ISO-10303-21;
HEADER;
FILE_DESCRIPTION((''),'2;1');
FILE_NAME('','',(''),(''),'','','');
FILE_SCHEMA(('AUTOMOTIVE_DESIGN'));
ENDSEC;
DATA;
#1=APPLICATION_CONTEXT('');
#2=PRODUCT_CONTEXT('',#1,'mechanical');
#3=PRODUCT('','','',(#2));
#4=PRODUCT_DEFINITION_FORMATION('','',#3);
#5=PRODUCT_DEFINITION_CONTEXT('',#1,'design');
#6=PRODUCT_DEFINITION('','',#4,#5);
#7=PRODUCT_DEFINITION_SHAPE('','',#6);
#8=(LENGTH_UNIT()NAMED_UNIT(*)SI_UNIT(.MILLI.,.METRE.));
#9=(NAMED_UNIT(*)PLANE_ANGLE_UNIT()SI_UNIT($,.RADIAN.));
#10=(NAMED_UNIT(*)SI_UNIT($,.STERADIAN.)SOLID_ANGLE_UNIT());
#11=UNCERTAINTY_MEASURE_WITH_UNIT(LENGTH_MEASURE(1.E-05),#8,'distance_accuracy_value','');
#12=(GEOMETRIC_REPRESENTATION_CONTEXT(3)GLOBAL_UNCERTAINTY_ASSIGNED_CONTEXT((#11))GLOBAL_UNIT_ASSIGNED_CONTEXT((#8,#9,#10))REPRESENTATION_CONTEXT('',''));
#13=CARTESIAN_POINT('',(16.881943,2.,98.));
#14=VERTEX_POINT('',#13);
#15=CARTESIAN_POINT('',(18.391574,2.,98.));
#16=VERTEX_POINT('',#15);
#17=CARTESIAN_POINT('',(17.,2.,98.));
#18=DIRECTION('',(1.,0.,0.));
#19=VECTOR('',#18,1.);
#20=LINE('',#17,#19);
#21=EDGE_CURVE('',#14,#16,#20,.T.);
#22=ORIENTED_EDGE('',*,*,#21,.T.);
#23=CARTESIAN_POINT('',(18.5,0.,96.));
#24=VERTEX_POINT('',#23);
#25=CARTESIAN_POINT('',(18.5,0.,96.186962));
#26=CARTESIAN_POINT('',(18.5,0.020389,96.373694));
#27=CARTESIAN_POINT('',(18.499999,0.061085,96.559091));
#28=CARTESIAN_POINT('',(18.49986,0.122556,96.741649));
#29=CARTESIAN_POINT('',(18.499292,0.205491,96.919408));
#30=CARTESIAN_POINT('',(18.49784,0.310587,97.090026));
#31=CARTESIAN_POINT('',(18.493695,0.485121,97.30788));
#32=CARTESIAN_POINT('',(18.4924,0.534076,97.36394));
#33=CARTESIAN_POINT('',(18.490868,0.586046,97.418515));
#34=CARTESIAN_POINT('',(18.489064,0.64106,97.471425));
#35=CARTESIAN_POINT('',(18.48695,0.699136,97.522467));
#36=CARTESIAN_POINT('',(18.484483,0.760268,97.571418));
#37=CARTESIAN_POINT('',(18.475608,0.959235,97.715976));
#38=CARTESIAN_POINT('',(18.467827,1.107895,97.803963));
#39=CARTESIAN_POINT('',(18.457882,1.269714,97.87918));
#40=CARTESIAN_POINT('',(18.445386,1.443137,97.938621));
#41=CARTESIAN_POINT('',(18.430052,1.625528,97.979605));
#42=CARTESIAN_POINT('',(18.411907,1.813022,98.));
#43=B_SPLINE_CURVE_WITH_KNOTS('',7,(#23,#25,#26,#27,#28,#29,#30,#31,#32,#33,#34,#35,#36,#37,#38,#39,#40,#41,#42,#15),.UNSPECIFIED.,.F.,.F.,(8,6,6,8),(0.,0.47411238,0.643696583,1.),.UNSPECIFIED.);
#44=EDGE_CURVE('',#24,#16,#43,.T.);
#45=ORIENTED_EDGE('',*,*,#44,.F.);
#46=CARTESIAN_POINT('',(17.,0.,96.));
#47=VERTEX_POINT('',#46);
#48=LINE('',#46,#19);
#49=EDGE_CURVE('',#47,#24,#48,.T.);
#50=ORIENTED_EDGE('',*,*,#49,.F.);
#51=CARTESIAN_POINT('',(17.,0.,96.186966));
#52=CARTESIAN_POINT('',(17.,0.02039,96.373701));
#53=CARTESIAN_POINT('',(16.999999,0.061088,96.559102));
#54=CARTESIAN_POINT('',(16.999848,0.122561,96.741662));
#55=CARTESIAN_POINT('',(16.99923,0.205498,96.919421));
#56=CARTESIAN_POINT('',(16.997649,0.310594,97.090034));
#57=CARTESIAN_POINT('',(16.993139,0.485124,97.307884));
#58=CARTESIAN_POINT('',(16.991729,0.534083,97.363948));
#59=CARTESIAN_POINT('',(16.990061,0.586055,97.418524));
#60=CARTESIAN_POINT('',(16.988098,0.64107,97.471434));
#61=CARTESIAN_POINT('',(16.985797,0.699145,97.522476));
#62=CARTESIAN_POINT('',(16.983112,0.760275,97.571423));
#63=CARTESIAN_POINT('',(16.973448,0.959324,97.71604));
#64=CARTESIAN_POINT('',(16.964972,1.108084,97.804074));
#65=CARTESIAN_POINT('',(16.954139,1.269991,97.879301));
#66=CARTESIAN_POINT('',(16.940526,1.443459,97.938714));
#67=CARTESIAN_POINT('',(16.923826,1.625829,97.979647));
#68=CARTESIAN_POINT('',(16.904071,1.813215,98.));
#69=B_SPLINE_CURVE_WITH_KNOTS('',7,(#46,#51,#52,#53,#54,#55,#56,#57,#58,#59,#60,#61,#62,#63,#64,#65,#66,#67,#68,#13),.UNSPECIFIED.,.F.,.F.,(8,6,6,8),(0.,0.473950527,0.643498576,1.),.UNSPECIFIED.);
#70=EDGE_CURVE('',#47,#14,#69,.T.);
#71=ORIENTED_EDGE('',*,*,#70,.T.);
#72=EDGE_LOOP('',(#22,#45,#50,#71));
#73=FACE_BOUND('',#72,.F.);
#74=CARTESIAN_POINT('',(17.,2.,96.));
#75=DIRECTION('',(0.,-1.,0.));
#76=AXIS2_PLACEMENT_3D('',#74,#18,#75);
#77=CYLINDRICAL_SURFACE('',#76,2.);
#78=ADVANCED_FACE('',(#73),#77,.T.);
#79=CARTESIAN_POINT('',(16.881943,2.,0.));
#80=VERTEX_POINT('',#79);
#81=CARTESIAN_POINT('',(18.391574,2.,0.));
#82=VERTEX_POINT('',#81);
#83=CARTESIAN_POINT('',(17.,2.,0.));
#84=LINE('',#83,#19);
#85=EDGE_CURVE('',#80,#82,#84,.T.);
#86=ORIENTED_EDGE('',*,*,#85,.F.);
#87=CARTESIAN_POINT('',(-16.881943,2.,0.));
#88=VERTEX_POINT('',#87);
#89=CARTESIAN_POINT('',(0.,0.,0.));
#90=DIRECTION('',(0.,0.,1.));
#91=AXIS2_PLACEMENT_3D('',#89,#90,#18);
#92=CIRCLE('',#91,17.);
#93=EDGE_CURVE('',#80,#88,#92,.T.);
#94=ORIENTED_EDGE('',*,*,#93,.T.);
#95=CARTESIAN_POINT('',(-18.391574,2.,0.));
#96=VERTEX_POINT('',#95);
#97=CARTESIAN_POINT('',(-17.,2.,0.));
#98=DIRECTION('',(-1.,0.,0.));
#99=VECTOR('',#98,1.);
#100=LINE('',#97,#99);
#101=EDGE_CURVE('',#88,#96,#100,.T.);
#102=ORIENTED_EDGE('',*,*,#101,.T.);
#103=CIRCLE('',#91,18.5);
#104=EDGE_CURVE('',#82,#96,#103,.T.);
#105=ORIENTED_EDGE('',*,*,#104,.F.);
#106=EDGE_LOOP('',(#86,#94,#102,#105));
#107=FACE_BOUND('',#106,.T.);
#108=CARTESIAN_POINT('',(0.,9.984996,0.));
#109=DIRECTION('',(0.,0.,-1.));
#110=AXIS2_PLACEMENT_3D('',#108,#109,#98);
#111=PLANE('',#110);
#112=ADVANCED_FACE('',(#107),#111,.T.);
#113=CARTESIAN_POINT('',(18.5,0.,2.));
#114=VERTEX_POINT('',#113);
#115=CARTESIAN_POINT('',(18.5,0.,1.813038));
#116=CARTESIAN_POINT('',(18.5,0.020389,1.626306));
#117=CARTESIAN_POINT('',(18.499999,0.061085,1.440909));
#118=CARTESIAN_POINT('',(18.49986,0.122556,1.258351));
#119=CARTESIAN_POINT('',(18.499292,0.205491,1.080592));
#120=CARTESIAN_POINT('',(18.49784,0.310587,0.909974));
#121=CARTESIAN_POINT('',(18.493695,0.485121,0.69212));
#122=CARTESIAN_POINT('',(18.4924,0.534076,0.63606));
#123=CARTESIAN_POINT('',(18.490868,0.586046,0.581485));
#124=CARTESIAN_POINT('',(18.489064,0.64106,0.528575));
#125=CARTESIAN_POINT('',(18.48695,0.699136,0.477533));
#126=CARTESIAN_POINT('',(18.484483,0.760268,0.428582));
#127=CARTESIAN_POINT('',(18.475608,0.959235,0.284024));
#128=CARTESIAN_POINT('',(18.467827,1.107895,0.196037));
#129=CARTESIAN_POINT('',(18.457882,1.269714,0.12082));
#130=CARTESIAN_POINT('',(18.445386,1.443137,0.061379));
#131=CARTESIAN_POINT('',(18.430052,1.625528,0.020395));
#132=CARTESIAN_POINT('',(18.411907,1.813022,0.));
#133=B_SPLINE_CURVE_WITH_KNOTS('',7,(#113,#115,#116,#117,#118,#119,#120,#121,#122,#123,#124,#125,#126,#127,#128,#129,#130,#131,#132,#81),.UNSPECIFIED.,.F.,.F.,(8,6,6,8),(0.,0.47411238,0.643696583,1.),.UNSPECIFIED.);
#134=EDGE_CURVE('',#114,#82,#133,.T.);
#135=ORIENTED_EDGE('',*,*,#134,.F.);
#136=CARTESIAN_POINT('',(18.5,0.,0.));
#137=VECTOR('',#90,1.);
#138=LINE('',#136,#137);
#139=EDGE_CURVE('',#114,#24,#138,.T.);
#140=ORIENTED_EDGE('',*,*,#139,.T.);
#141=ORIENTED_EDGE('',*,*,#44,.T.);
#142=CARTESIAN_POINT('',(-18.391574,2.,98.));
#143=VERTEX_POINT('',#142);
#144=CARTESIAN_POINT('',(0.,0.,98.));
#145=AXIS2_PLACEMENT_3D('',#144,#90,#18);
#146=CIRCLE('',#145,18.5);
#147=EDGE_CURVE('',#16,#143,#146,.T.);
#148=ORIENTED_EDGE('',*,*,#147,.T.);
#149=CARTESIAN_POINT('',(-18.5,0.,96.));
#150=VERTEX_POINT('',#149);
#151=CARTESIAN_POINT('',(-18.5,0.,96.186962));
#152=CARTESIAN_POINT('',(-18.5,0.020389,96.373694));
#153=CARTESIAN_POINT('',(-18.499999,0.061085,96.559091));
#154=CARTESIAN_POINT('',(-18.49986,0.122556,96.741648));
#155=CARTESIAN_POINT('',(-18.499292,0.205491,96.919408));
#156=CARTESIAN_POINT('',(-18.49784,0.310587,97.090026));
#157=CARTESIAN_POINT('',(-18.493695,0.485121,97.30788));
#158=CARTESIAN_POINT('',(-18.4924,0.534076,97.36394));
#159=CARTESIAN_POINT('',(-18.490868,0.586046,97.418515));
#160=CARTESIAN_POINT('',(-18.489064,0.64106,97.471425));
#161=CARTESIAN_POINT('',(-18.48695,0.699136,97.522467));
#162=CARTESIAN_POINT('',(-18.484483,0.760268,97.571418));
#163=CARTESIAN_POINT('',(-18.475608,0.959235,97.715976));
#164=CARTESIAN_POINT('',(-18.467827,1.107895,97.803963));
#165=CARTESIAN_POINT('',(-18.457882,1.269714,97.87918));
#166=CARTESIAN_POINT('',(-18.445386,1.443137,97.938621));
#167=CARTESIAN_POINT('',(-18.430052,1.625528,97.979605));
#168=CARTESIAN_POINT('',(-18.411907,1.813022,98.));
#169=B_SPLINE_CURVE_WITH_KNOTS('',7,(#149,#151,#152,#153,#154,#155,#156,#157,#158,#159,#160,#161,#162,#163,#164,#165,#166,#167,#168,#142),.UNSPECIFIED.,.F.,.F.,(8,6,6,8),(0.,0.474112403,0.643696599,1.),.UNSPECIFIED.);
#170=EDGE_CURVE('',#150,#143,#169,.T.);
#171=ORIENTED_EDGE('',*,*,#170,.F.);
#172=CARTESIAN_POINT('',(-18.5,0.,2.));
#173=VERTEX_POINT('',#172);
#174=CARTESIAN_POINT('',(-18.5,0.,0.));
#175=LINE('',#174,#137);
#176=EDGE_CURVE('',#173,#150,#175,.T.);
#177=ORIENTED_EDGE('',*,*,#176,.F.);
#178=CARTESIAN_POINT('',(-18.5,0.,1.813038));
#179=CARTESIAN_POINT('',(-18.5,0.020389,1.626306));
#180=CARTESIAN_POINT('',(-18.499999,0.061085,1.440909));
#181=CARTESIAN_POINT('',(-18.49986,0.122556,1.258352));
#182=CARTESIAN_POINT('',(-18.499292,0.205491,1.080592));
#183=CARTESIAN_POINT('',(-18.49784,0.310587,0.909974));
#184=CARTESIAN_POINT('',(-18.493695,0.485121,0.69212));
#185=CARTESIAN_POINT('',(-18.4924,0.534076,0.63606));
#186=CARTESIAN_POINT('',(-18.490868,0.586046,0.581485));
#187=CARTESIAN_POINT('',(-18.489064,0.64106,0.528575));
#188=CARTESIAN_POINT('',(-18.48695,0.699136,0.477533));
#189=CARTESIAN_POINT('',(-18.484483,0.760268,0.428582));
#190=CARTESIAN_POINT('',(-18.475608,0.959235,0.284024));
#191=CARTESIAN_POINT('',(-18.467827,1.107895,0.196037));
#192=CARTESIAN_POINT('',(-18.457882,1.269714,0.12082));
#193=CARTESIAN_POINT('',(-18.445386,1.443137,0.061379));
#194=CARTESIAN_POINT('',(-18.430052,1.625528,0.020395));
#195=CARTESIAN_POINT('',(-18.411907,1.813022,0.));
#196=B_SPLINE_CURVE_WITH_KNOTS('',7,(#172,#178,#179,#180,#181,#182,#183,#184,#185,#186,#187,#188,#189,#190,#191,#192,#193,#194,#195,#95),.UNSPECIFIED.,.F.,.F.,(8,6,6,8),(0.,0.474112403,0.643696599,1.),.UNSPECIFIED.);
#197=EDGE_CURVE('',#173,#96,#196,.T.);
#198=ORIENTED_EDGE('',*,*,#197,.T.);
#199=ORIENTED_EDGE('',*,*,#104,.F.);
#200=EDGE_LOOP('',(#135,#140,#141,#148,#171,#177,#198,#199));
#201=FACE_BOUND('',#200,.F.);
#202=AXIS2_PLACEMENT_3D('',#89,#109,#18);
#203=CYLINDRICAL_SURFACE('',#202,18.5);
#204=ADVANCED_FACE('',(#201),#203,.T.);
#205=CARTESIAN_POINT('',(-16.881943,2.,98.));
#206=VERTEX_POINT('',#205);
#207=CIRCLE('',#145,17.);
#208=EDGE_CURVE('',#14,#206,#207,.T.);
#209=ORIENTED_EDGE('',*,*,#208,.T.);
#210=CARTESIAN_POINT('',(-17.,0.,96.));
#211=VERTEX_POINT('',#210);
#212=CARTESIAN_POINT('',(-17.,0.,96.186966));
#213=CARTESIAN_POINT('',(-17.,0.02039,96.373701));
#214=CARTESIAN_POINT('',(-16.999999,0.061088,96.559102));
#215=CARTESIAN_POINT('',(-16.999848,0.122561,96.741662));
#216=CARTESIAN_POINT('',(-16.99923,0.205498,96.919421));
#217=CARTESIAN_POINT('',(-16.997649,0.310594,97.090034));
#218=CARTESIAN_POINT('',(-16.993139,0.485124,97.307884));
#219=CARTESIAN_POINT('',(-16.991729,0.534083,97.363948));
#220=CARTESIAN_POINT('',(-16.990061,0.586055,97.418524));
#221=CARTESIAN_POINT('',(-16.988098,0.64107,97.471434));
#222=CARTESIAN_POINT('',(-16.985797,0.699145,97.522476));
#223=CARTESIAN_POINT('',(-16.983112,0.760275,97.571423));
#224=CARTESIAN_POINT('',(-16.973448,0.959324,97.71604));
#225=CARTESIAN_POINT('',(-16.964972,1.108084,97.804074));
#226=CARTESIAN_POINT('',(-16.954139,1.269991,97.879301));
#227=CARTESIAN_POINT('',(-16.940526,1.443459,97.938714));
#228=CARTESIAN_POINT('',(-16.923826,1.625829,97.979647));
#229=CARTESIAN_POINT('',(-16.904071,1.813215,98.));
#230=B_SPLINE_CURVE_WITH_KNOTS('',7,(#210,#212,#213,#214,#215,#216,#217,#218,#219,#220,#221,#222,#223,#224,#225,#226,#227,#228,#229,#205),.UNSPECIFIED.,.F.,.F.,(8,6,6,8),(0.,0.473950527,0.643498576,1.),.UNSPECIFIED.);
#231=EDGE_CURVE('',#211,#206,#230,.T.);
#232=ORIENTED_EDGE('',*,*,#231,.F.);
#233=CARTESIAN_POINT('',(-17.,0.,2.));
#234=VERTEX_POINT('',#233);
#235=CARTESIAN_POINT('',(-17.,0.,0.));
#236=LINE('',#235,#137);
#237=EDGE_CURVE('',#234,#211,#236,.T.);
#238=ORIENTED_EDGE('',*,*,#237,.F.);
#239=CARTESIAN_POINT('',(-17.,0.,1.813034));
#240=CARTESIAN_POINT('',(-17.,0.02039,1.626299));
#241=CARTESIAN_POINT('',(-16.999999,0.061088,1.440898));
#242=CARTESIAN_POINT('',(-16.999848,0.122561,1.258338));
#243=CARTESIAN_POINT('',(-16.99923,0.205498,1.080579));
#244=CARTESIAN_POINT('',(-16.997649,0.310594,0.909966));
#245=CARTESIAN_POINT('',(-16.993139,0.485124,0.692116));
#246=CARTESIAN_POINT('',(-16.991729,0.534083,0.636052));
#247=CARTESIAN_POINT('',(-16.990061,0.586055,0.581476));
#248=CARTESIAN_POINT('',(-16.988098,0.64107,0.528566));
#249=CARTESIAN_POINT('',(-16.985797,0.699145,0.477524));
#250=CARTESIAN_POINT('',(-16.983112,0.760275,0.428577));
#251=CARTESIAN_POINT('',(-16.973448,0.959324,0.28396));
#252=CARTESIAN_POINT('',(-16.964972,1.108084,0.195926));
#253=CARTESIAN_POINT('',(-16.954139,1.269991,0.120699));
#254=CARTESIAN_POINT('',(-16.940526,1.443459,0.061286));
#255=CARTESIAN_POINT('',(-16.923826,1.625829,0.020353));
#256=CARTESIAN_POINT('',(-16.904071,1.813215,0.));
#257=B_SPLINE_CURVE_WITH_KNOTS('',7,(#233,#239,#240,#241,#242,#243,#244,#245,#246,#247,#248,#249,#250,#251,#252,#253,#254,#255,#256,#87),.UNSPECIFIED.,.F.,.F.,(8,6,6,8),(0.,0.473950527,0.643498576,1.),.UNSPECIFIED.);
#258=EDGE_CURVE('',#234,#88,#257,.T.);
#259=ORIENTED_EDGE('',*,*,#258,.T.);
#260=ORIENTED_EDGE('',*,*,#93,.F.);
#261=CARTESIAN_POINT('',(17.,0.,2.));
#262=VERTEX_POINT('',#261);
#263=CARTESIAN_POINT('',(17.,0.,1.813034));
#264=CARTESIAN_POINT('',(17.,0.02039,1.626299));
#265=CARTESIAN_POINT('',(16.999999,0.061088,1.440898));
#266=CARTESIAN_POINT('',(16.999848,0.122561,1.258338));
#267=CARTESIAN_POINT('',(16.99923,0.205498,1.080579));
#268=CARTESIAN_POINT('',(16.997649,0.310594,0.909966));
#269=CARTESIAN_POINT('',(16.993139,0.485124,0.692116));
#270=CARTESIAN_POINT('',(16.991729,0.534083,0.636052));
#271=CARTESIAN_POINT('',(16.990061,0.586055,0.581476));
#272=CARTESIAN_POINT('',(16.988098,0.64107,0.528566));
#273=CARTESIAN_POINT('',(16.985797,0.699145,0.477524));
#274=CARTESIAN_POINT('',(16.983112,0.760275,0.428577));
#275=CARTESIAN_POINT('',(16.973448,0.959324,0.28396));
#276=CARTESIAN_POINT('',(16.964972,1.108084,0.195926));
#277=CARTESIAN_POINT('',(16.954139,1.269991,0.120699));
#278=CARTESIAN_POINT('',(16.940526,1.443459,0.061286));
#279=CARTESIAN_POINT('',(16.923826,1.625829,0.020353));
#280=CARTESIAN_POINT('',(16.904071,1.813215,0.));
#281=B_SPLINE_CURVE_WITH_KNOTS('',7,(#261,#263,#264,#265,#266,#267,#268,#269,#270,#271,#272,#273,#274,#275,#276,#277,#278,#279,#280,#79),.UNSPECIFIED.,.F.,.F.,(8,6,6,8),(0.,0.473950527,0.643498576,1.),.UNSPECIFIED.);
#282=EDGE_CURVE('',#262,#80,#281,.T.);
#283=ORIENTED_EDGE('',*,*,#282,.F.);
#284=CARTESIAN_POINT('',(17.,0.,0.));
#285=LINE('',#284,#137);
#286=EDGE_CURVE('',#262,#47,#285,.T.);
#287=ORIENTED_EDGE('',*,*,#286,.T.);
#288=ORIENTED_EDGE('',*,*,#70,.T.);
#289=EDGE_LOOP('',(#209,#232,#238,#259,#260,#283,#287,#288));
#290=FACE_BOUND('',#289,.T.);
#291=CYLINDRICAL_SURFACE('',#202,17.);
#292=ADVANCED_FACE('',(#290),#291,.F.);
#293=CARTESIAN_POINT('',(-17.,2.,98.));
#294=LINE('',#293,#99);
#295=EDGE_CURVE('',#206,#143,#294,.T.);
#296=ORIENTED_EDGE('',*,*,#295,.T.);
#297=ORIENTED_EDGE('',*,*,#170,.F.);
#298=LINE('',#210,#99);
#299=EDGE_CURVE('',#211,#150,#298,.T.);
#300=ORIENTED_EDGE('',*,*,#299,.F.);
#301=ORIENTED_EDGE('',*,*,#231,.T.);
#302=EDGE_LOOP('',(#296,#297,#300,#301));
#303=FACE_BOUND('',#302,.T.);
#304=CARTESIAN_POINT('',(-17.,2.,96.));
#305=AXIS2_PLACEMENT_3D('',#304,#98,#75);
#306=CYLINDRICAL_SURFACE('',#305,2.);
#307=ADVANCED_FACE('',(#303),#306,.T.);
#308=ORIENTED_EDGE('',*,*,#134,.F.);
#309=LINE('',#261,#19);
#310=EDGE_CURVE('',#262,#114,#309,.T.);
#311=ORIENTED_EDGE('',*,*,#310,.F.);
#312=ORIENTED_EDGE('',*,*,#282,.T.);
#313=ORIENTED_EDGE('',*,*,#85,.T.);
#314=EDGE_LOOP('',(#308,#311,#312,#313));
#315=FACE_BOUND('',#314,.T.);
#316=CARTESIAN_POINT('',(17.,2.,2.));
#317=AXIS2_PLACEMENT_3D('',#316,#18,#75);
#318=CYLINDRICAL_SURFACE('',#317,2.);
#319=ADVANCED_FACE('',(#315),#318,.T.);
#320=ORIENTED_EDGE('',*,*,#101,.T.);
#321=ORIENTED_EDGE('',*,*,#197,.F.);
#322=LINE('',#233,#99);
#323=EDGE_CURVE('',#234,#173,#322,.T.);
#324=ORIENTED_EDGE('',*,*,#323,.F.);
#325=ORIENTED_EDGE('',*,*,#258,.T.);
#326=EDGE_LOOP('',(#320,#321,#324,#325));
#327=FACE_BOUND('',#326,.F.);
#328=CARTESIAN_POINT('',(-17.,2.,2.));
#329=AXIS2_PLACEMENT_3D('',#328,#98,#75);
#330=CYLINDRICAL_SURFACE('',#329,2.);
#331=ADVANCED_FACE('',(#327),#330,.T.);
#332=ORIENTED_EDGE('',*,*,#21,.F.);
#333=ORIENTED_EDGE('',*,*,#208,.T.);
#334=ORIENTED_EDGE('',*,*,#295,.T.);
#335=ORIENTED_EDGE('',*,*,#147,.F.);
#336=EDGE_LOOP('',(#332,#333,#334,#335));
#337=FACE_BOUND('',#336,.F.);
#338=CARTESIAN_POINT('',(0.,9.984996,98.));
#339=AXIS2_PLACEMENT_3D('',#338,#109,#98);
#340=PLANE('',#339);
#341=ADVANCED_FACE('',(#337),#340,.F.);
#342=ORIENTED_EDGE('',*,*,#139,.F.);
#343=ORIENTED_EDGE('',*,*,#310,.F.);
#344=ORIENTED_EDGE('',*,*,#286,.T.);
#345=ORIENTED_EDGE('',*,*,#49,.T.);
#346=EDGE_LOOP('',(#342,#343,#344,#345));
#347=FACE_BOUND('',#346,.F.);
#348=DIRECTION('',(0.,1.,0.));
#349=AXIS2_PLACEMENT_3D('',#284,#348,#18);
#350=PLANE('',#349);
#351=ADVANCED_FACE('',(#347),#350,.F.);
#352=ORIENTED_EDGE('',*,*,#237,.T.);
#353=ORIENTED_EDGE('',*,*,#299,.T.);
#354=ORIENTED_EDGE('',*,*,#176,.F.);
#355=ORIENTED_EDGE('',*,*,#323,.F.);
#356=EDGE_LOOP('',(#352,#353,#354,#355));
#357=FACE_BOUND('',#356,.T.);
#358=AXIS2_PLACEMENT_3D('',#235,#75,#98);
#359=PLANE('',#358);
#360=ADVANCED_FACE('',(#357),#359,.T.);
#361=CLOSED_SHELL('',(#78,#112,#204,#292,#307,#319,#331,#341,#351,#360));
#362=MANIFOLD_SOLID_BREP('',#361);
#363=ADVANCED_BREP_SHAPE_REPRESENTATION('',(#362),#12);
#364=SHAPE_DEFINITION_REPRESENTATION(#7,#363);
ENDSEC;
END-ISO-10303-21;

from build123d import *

# Parameters (mm, degrees)
PAD_DEPTH = 98
FILLET_R  = 2


with BuildPart() as part:
    # Sketch → Pad (new body)
    with BuildSketch(Plane.XY):
        with BuildLine():
            ThreePointArc((17, 0), (0, 17), (-17, 0))
            Line((-17, 0), (-18.5, 0))
            ThreePointArc((18.5, 0), (0, 18.5), (-18.5, 0))
            Line((17, 0), (18.5, 0))
        make_face()
    extrude(amount=PAD_DEPTH)

    # Fillet
    fillet_edges = [part.edges().sort_by_distance(p)[0] for p in [
        (17.75, 0, 0),
        (-17.75, 0, 0),
        (-17.75, 0, 98),
        (17.75, 0, 98),
    ]]
    fillet(fillet_edges, radius=FILLET_R)


solid = part.part
